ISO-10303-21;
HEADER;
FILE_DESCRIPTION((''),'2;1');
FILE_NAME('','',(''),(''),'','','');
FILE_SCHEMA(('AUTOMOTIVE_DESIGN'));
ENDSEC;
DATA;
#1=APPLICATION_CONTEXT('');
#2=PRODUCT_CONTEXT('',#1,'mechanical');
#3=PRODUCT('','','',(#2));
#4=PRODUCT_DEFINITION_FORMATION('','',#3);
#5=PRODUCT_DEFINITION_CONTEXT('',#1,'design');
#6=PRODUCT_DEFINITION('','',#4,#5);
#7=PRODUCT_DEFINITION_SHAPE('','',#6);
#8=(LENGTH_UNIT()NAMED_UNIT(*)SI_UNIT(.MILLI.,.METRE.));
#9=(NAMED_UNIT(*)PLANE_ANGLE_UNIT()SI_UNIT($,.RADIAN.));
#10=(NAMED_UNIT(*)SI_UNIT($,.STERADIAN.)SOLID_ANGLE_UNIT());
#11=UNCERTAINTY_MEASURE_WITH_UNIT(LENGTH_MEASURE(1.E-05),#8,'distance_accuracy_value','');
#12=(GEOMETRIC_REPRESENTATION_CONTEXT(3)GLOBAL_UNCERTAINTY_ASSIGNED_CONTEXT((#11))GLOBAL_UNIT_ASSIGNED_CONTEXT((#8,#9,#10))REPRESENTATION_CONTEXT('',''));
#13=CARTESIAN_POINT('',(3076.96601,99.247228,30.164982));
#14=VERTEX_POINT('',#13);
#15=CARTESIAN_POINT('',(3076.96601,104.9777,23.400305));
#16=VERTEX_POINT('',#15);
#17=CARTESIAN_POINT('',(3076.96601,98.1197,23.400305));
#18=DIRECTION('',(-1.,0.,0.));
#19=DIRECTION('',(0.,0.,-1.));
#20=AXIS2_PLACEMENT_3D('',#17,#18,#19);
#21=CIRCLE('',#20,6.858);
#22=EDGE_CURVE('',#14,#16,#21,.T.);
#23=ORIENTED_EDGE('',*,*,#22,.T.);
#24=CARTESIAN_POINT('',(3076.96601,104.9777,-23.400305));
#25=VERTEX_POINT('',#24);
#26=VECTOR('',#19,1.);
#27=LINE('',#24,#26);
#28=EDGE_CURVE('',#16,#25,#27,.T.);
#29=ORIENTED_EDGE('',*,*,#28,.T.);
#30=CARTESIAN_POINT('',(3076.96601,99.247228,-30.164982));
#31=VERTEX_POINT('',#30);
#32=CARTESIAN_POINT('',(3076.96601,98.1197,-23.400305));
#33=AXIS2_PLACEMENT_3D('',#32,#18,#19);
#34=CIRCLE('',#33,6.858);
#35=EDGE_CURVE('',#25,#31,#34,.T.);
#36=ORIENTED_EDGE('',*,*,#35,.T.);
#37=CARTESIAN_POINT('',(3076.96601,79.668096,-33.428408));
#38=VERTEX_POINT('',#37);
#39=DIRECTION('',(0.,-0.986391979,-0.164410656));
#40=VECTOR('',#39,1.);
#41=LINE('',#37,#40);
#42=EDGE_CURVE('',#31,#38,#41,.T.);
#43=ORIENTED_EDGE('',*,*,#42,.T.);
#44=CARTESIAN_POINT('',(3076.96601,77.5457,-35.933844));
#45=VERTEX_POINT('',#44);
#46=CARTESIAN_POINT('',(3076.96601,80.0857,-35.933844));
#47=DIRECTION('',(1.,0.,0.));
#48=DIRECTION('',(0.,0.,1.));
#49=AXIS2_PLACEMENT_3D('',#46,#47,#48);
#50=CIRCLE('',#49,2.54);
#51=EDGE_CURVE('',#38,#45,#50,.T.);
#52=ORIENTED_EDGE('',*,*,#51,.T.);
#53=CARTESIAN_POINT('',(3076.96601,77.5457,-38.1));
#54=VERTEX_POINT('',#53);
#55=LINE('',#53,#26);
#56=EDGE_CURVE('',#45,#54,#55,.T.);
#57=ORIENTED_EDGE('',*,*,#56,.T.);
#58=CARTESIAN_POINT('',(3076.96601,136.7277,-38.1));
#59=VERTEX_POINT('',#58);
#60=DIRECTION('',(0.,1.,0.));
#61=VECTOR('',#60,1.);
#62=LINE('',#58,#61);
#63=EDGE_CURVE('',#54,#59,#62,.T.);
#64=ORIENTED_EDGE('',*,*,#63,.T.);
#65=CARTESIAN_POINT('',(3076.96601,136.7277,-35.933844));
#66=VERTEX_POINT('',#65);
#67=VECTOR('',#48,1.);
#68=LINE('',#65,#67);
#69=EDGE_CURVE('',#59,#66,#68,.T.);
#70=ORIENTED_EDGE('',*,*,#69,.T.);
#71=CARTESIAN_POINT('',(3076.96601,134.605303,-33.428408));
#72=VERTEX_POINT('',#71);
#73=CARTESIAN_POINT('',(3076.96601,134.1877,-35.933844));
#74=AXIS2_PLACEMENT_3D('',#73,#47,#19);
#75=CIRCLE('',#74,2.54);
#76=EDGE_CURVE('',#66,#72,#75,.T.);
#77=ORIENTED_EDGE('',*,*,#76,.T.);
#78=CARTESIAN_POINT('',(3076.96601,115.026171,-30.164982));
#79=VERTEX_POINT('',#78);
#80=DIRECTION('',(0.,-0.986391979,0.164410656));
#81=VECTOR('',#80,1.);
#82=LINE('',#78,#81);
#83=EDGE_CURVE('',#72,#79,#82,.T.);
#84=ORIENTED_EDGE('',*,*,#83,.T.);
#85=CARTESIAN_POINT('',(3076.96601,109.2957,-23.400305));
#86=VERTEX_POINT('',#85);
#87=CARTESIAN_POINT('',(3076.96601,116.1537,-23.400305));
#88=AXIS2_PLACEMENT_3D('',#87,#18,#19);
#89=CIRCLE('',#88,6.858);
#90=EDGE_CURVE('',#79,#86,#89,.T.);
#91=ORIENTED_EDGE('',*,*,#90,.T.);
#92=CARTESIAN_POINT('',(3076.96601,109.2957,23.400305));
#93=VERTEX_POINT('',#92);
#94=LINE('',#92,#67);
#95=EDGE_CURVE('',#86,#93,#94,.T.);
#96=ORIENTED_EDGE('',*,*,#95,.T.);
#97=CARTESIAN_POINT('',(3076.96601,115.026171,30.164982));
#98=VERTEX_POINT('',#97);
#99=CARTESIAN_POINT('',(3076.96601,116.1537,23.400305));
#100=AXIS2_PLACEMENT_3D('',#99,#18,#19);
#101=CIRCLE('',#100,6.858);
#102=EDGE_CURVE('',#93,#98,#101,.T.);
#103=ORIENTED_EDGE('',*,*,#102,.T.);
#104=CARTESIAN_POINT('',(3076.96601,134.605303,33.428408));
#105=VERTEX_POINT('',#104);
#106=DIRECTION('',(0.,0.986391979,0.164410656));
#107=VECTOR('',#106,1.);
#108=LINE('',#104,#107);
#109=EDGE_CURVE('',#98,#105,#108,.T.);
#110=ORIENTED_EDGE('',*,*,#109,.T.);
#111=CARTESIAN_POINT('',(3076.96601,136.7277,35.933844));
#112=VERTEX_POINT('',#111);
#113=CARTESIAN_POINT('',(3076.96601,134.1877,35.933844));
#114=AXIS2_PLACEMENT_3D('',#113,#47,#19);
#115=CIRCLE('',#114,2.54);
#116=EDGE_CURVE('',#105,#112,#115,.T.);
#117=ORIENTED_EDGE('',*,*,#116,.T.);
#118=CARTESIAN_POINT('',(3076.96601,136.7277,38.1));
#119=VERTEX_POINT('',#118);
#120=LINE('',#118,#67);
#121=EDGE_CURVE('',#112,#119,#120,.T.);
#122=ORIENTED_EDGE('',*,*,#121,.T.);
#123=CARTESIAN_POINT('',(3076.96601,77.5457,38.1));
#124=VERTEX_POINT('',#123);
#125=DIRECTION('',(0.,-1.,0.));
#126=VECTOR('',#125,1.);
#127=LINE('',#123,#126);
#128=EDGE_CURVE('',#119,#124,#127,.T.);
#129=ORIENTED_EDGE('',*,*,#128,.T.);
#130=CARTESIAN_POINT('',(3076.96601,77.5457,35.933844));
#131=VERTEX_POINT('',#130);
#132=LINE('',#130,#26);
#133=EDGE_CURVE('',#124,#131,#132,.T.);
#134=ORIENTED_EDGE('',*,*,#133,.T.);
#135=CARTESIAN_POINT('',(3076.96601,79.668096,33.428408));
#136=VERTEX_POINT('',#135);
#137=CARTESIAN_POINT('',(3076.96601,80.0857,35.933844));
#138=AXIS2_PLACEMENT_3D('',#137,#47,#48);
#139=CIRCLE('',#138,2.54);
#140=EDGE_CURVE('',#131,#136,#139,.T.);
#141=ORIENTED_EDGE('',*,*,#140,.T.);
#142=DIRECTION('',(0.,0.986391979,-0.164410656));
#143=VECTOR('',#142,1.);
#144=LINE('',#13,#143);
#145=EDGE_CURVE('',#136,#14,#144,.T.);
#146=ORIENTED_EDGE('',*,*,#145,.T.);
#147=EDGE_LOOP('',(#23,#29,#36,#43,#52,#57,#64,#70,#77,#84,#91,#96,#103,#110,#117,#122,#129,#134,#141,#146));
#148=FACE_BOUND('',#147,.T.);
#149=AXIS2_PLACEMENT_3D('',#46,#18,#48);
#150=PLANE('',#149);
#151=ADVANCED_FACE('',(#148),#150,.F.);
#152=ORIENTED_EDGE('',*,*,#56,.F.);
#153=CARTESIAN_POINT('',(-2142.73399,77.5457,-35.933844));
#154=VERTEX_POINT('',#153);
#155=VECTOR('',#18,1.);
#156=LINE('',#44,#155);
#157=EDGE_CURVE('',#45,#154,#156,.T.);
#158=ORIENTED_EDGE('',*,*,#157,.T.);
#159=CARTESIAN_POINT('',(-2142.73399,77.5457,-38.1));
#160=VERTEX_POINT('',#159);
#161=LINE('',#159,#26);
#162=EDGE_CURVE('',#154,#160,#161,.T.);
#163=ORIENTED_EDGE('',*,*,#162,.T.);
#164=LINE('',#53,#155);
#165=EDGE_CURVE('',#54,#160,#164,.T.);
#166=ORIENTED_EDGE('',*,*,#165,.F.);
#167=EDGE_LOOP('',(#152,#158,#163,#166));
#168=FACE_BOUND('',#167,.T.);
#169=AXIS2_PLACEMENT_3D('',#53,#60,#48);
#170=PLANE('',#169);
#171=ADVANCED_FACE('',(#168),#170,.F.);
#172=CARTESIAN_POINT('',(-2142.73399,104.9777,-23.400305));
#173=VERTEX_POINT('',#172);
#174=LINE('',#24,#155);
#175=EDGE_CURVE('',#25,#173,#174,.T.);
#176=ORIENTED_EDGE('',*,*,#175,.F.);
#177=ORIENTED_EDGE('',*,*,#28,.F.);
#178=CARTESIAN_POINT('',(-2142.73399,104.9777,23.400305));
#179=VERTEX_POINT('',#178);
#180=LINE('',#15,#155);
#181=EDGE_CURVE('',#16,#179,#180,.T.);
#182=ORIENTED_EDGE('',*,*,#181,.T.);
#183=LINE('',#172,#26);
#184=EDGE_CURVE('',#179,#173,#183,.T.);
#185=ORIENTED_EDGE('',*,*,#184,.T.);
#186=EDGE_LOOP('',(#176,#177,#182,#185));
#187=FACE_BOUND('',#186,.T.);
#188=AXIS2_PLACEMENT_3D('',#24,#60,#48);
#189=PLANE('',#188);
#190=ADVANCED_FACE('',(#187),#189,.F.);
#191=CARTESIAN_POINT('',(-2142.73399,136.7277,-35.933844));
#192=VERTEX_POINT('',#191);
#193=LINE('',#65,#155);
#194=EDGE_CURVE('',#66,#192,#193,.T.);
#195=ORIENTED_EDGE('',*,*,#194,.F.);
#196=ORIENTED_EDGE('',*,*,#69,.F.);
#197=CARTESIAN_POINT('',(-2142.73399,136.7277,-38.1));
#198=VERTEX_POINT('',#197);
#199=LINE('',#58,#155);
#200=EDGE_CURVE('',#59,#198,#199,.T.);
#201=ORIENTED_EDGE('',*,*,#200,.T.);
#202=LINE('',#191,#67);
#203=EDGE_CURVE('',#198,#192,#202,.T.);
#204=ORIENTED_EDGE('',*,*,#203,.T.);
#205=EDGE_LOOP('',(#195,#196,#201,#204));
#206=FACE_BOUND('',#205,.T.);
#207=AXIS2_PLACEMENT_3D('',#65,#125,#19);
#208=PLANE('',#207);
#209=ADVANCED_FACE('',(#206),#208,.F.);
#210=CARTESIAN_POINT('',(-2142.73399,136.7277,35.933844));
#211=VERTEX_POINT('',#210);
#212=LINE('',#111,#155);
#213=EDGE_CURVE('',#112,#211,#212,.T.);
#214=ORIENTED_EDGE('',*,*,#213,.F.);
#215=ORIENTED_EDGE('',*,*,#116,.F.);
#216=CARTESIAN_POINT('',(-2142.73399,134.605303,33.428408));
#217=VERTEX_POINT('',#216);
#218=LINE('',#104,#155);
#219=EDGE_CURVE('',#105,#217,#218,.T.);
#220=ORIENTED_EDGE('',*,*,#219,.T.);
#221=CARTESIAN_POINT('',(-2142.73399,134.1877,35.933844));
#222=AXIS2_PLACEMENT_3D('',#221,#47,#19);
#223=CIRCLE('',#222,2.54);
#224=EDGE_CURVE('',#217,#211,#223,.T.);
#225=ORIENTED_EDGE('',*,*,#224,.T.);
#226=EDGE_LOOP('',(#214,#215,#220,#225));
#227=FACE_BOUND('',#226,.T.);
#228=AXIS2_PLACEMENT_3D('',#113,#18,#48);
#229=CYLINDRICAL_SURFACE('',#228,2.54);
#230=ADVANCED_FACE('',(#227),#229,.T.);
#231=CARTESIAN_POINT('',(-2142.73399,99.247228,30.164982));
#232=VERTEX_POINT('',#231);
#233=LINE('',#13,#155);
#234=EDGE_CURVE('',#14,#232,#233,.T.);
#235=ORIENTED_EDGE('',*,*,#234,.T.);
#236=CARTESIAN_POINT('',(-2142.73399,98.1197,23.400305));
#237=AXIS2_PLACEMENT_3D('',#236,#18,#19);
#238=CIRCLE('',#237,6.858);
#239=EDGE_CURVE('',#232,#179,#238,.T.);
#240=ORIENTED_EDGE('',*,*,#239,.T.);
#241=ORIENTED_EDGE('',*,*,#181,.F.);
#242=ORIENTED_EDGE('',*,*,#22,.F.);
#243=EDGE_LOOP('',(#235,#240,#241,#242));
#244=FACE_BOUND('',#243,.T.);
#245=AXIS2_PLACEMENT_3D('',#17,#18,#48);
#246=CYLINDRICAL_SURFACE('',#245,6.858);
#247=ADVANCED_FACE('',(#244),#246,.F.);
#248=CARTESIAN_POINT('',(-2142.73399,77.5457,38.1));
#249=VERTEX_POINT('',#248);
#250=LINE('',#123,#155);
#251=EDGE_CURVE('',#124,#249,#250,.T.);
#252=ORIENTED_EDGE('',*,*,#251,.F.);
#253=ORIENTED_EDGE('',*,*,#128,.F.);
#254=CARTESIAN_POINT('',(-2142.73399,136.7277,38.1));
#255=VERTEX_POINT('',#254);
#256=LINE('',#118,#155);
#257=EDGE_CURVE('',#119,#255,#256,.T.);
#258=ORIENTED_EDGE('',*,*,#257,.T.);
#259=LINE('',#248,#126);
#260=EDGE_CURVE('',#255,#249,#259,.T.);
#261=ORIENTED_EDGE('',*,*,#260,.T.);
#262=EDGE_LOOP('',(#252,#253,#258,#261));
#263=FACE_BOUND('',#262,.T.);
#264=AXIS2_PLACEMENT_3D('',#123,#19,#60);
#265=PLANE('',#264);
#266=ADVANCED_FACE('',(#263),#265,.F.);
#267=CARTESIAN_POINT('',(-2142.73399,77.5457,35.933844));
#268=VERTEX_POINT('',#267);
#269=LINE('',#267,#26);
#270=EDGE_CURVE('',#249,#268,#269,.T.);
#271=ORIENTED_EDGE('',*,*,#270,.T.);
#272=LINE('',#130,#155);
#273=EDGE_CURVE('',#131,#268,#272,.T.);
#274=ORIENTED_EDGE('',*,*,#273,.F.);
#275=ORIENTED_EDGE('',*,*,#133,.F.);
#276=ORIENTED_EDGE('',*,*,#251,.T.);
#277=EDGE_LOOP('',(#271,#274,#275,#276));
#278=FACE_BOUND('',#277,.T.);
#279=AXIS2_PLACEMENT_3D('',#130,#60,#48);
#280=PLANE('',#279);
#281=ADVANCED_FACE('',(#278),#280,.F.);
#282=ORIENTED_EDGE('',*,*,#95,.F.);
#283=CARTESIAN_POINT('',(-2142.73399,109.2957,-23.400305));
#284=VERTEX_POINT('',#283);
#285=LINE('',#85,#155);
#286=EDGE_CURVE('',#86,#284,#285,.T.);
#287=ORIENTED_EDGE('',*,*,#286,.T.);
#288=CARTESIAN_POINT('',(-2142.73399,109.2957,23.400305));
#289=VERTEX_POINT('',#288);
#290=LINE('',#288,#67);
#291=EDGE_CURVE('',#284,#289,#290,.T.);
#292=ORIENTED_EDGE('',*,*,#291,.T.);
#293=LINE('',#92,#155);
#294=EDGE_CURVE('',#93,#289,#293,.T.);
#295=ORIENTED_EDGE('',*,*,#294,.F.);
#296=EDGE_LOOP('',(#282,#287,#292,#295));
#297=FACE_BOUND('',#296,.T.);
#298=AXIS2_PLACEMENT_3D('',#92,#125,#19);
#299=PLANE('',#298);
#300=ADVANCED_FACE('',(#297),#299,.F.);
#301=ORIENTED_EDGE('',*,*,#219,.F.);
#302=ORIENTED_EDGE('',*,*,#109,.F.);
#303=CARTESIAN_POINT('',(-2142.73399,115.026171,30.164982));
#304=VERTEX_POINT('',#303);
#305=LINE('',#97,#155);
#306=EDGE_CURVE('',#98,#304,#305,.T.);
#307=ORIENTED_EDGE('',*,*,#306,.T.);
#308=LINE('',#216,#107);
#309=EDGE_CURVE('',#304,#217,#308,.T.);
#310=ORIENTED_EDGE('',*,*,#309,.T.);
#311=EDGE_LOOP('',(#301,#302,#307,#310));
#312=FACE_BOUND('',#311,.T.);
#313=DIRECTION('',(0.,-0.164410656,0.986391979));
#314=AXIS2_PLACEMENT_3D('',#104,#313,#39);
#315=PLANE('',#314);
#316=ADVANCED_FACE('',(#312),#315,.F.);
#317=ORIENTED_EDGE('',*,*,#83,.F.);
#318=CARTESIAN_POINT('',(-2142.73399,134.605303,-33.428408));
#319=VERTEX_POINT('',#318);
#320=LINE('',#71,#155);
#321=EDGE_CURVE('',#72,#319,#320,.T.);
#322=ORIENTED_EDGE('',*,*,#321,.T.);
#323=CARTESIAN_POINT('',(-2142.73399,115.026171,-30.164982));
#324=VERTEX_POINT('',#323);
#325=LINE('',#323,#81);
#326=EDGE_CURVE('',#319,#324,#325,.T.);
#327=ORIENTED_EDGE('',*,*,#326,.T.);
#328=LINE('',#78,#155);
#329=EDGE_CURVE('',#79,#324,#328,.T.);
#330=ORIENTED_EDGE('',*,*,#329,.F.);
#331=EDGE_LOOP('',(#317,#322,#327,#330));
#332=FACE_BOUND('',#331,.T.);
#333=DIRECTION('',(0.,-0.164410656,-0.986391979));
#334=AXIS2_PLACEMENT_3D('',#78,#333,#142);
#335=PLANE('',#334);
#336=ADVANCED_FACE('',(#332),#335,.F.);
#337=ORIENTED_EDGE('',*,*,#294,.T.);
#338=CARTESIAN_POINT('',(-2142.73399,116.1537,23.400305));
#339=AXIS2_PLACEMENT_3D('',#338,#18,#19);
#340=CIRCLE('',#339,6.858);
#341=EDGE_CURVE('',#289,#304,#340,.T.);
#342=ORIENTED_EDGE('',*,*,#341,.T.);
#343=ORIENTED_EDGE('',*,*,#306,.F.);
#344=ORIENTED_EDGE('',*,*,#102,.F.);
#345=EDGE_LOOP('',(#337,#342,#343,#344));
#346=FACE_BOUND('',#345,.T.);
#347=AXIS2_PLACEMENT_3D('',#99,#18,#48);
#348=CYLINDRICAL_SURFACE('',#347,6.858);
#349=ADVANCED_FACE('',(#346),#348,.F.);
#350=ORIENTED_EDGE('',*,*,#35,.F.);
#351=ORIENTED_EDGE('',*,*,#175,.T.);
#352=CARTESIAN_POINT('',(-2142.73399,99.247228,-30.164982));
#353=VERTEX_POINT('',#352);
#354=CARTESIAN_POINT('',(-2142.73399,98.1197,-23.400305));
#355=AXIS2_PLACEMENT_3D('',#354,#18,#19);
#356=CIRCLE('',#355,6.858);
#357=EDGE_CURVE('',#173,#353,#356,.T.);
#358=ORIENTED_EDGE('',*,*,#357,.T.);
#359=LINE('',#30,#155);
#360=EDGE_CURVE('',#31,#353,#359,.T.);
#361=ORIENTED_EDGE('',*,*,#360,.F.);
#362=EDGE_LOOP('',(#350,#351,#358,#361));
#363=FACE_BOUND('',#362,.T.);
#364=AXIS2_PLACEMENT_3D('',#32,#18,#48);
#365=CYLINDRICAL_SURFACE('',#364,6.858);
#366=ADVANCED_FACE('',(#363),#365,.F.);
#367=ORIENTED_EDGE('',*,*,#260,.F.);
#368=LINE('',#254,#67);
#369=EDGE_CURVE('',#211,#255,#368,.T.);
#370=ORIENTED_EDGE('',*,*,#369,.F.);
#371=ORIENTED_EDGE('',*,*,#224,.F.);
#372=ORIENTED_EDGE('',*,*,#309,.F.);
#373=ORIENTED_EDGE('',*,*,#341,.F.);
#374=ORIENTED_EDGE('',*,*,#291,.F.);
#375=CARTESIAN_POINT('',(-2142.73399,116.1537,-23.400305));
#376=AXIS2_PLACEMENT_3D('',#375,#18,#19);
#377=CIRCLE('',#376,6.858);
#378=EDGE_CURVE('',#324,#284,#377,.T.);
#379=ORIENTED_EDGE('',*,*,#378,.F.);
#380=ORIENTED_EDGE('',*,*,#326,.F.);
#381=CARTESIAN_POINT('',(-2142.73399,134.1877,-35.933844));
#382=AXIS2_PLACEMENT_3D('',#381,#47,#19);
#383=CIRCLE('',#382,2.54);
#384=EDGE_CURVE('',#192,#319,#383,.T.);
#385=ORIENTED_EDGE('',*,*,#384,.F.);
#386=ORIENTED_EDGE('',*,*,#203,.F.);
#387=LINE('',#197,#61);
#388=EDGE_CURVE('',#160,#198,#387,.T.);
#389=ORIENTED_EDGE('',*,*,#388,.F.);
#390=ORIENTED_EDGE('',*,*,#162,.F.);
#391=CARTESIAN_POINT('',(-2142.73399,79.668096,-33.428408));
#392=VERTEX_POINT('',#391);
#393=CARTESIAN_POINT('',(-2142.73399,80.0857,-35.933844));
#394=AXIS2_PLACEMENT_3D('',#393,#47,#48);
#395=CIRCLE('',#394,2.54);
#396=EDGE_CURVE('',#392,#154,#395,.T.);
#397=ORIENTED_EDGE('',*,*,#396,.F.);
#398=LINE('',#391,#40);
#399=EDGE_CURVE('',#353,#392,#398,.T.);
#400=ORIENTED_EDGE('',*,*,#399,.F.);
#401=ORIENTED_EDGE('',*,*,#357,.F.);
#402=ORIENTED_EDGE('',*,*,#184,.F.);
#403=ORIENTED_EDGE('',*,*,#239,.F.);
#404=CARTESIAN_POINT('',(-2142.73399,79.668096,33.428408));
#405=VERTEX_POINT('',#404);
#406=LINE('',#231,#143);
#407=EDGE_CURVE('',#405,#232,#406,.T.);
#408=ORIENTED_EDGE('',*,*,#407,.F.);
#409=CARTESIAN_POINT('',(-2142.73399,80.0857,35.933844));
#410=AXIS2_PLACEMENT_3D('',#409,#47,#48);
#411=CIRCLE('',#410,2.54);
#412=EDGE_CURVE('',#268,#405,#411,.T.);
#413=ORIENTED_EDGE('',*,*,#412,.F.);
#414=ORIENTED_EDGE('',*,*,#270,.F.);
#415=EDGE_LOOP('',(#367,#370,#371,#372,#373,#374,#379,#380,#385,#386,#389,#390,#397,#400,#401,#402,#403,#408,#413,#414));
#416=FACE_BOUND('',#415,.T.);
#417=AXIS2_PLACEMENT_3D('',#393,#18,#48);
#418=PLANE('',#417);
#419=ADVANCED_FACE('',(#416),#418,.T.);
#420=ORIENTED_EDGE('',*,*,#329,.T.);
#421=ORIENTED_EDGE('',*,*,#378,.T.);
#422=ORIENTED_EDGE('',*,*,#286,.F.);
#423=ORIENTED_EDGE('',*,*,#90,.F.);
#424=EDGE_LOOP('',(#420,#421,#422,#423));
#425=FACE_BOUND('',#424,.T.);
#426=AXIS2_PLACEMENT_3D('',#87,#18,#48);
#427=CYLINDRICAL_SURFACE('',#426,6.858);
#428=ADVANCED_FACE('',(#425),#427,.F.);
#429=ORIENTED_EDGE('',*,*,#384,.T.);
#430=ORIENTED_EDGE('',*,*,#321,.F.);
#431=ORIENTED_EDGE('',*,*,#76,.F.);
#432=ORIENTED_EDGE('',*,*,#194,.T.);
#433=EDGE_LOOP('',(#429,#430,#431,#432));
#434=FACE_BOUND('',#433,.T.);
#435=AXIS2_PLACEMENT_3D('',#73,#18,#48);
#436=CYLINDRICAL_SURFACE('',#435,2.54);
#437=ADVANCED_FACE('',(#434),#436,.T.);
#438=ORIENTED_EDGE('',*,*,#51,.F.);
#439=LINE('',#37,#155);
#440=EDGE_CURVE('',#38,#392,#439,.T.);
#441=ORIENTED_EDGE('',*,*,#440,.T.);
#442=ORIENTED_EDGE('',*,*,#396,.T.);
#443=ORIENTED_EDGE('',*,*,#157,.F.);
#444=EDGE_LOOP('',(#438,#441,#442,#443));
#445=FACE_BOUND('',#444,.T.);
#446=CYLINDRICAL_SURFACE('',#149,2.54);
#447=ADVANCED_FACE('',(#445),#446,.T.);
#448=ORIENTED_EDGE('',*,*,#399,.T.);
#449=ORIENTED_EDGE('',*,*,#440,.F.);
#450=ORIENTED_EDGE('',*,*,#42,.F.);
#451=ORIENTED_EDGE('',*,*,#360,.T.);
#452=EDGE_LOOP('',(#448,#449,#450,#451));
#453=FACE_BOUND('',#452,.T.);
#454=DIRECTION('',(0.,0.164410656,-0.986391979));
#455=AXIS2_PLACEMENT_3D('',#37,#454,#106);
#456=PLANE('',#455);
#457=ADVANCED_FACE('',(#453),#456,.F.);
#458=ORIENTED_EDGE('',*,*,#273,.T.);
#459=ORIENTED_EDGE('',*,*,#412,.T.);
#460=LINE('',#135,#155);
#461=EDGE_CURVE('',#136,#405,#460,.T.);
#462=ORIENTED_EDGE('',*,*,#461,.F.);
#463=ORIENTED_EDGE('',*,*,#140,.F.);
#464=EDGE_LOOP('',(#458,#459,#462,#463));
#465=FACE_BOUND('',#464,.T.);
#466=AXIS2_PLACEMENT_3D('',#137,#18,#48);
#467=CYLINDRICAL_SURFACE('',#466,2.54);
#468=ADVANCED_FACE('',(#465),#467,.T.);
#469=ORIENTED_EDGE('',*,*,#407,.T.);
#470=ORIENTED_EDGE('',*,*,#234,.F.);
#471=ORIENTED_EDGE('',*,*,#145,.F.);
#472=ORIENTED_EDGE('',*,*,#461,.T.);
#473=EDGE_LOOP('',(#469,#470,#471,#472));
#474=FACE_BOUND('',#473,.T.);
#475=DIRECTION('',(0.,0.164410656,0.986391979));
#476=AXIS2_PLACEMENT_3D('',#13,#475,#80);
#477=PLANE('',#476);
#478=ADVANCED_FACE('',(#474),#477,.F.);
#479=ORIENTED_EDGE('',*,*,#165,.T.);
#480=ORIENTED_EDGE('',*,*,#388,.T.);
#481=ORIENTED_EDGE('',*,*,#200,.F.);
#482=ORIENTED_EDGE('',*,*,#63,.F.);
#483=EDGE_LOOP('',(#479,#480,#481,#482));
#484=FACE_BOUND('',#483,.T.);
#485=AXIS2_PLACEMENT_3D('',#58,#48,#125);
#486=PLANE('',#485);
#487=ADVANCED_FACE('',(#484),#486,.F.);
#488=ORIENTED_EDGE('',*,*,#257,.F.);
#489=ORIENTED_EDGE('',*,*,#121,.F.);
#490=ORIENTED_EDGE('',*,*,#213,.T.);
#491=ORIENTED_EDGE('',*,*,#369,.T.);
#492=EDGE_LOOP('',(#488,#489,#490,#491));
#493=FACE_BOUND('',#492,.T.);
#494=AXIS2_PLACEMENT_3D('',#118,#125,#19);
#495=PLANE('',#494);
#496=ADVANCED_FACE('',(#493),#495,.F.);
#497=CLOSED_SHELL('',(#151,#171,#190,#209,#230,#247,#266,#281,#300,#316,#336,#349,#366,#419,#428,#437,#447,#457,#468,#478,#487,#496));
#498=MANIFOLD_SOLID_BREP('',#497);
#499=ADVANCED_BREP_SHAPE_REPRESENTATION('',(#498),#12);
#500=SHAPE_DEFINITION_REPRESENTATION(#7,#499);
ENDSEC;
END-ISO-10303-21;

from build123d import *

# Parameters (mm, degrees)
S_SECTION_3_X_5_7_1_DEPTH = 5219.7


with BuildPart() as part:
    # Sketch11 → S section 3 X 5.7(1) (new body)
    with BuildSketch(Plane(origin=(-2142.733990148, 107.136699507, 0), x_dir=(0, 1, 0), z_dir=(1, 0, 0))):
        with BuildLine():
            Line((-29.591, -38.1), (-29.591, -35.933843763))
            ThreePointArc((-29.591, -35.933843763), (-28.989080466, -34.29206299), (-27.468603066, -33.428408136))
            Line((-27.468603066, -33.428408136), (-7.889471721, -30.164981529))
            ThreePointArc((-7.889471721, -30.164981529), (-3.784182741, -27.833113424), (-2.159, -23.400305338))
            Line((-2.159, -23.400305338), (-2.159, 23.400305338))
            ThreePointArc((-2.159, 23.400305338), (-3.784182741, 27.833113424), (-7.889471721, 30.164981529))
            Line((-7.889471721, 30.164981529), (-27.468603066, 33.428408136))
            ThreePointArc((-27.468603066, 33.428408136), (-28.989080466, 34.29206299), (-29.591, 35.933843763))
            Line((-29.591, 35.933843763), (-29.591, 38.1))
            Line((-29.591, 38.1), (29.591, 38.1))
            Line((29.591, 38.1), (29.591, 35.933843763))
            ThreePointArc((29.591, 35.933843763), (28.989080466, 34.29206299), (27.468603066, 33.428408136))
            Line((27.468603066, 33.428408136), (7.889471721, 30.164981529))
            ThreePointArc((7.889471721, 30.164981529), (3.784182741, 27.833113424), (2.159, 23.400305338))
            Line((2.159, 23.400305338), (2.159, -23.400305338))
            ThreePointArc((2.159, -23.400305338), (3.784182741, -27.833113424), (7.889471721, -30.164981529))
            Line((7.889471721, -30.164981529), (27.468603066, -33.428408136))
            ThreePointArc((27.468603066, -33.428408136), (28.989080466, -34.29206299), (29.591, -35.933843763))
            Line((29.591, -35.933843763), (29.591, -38.1))
            Line((29.591, -38.1), (-29.591, -38.1))
        make_face()
    extrude(amount=S_SECTION_3_X_5_7_1_DEPTH)


solid = part.part
